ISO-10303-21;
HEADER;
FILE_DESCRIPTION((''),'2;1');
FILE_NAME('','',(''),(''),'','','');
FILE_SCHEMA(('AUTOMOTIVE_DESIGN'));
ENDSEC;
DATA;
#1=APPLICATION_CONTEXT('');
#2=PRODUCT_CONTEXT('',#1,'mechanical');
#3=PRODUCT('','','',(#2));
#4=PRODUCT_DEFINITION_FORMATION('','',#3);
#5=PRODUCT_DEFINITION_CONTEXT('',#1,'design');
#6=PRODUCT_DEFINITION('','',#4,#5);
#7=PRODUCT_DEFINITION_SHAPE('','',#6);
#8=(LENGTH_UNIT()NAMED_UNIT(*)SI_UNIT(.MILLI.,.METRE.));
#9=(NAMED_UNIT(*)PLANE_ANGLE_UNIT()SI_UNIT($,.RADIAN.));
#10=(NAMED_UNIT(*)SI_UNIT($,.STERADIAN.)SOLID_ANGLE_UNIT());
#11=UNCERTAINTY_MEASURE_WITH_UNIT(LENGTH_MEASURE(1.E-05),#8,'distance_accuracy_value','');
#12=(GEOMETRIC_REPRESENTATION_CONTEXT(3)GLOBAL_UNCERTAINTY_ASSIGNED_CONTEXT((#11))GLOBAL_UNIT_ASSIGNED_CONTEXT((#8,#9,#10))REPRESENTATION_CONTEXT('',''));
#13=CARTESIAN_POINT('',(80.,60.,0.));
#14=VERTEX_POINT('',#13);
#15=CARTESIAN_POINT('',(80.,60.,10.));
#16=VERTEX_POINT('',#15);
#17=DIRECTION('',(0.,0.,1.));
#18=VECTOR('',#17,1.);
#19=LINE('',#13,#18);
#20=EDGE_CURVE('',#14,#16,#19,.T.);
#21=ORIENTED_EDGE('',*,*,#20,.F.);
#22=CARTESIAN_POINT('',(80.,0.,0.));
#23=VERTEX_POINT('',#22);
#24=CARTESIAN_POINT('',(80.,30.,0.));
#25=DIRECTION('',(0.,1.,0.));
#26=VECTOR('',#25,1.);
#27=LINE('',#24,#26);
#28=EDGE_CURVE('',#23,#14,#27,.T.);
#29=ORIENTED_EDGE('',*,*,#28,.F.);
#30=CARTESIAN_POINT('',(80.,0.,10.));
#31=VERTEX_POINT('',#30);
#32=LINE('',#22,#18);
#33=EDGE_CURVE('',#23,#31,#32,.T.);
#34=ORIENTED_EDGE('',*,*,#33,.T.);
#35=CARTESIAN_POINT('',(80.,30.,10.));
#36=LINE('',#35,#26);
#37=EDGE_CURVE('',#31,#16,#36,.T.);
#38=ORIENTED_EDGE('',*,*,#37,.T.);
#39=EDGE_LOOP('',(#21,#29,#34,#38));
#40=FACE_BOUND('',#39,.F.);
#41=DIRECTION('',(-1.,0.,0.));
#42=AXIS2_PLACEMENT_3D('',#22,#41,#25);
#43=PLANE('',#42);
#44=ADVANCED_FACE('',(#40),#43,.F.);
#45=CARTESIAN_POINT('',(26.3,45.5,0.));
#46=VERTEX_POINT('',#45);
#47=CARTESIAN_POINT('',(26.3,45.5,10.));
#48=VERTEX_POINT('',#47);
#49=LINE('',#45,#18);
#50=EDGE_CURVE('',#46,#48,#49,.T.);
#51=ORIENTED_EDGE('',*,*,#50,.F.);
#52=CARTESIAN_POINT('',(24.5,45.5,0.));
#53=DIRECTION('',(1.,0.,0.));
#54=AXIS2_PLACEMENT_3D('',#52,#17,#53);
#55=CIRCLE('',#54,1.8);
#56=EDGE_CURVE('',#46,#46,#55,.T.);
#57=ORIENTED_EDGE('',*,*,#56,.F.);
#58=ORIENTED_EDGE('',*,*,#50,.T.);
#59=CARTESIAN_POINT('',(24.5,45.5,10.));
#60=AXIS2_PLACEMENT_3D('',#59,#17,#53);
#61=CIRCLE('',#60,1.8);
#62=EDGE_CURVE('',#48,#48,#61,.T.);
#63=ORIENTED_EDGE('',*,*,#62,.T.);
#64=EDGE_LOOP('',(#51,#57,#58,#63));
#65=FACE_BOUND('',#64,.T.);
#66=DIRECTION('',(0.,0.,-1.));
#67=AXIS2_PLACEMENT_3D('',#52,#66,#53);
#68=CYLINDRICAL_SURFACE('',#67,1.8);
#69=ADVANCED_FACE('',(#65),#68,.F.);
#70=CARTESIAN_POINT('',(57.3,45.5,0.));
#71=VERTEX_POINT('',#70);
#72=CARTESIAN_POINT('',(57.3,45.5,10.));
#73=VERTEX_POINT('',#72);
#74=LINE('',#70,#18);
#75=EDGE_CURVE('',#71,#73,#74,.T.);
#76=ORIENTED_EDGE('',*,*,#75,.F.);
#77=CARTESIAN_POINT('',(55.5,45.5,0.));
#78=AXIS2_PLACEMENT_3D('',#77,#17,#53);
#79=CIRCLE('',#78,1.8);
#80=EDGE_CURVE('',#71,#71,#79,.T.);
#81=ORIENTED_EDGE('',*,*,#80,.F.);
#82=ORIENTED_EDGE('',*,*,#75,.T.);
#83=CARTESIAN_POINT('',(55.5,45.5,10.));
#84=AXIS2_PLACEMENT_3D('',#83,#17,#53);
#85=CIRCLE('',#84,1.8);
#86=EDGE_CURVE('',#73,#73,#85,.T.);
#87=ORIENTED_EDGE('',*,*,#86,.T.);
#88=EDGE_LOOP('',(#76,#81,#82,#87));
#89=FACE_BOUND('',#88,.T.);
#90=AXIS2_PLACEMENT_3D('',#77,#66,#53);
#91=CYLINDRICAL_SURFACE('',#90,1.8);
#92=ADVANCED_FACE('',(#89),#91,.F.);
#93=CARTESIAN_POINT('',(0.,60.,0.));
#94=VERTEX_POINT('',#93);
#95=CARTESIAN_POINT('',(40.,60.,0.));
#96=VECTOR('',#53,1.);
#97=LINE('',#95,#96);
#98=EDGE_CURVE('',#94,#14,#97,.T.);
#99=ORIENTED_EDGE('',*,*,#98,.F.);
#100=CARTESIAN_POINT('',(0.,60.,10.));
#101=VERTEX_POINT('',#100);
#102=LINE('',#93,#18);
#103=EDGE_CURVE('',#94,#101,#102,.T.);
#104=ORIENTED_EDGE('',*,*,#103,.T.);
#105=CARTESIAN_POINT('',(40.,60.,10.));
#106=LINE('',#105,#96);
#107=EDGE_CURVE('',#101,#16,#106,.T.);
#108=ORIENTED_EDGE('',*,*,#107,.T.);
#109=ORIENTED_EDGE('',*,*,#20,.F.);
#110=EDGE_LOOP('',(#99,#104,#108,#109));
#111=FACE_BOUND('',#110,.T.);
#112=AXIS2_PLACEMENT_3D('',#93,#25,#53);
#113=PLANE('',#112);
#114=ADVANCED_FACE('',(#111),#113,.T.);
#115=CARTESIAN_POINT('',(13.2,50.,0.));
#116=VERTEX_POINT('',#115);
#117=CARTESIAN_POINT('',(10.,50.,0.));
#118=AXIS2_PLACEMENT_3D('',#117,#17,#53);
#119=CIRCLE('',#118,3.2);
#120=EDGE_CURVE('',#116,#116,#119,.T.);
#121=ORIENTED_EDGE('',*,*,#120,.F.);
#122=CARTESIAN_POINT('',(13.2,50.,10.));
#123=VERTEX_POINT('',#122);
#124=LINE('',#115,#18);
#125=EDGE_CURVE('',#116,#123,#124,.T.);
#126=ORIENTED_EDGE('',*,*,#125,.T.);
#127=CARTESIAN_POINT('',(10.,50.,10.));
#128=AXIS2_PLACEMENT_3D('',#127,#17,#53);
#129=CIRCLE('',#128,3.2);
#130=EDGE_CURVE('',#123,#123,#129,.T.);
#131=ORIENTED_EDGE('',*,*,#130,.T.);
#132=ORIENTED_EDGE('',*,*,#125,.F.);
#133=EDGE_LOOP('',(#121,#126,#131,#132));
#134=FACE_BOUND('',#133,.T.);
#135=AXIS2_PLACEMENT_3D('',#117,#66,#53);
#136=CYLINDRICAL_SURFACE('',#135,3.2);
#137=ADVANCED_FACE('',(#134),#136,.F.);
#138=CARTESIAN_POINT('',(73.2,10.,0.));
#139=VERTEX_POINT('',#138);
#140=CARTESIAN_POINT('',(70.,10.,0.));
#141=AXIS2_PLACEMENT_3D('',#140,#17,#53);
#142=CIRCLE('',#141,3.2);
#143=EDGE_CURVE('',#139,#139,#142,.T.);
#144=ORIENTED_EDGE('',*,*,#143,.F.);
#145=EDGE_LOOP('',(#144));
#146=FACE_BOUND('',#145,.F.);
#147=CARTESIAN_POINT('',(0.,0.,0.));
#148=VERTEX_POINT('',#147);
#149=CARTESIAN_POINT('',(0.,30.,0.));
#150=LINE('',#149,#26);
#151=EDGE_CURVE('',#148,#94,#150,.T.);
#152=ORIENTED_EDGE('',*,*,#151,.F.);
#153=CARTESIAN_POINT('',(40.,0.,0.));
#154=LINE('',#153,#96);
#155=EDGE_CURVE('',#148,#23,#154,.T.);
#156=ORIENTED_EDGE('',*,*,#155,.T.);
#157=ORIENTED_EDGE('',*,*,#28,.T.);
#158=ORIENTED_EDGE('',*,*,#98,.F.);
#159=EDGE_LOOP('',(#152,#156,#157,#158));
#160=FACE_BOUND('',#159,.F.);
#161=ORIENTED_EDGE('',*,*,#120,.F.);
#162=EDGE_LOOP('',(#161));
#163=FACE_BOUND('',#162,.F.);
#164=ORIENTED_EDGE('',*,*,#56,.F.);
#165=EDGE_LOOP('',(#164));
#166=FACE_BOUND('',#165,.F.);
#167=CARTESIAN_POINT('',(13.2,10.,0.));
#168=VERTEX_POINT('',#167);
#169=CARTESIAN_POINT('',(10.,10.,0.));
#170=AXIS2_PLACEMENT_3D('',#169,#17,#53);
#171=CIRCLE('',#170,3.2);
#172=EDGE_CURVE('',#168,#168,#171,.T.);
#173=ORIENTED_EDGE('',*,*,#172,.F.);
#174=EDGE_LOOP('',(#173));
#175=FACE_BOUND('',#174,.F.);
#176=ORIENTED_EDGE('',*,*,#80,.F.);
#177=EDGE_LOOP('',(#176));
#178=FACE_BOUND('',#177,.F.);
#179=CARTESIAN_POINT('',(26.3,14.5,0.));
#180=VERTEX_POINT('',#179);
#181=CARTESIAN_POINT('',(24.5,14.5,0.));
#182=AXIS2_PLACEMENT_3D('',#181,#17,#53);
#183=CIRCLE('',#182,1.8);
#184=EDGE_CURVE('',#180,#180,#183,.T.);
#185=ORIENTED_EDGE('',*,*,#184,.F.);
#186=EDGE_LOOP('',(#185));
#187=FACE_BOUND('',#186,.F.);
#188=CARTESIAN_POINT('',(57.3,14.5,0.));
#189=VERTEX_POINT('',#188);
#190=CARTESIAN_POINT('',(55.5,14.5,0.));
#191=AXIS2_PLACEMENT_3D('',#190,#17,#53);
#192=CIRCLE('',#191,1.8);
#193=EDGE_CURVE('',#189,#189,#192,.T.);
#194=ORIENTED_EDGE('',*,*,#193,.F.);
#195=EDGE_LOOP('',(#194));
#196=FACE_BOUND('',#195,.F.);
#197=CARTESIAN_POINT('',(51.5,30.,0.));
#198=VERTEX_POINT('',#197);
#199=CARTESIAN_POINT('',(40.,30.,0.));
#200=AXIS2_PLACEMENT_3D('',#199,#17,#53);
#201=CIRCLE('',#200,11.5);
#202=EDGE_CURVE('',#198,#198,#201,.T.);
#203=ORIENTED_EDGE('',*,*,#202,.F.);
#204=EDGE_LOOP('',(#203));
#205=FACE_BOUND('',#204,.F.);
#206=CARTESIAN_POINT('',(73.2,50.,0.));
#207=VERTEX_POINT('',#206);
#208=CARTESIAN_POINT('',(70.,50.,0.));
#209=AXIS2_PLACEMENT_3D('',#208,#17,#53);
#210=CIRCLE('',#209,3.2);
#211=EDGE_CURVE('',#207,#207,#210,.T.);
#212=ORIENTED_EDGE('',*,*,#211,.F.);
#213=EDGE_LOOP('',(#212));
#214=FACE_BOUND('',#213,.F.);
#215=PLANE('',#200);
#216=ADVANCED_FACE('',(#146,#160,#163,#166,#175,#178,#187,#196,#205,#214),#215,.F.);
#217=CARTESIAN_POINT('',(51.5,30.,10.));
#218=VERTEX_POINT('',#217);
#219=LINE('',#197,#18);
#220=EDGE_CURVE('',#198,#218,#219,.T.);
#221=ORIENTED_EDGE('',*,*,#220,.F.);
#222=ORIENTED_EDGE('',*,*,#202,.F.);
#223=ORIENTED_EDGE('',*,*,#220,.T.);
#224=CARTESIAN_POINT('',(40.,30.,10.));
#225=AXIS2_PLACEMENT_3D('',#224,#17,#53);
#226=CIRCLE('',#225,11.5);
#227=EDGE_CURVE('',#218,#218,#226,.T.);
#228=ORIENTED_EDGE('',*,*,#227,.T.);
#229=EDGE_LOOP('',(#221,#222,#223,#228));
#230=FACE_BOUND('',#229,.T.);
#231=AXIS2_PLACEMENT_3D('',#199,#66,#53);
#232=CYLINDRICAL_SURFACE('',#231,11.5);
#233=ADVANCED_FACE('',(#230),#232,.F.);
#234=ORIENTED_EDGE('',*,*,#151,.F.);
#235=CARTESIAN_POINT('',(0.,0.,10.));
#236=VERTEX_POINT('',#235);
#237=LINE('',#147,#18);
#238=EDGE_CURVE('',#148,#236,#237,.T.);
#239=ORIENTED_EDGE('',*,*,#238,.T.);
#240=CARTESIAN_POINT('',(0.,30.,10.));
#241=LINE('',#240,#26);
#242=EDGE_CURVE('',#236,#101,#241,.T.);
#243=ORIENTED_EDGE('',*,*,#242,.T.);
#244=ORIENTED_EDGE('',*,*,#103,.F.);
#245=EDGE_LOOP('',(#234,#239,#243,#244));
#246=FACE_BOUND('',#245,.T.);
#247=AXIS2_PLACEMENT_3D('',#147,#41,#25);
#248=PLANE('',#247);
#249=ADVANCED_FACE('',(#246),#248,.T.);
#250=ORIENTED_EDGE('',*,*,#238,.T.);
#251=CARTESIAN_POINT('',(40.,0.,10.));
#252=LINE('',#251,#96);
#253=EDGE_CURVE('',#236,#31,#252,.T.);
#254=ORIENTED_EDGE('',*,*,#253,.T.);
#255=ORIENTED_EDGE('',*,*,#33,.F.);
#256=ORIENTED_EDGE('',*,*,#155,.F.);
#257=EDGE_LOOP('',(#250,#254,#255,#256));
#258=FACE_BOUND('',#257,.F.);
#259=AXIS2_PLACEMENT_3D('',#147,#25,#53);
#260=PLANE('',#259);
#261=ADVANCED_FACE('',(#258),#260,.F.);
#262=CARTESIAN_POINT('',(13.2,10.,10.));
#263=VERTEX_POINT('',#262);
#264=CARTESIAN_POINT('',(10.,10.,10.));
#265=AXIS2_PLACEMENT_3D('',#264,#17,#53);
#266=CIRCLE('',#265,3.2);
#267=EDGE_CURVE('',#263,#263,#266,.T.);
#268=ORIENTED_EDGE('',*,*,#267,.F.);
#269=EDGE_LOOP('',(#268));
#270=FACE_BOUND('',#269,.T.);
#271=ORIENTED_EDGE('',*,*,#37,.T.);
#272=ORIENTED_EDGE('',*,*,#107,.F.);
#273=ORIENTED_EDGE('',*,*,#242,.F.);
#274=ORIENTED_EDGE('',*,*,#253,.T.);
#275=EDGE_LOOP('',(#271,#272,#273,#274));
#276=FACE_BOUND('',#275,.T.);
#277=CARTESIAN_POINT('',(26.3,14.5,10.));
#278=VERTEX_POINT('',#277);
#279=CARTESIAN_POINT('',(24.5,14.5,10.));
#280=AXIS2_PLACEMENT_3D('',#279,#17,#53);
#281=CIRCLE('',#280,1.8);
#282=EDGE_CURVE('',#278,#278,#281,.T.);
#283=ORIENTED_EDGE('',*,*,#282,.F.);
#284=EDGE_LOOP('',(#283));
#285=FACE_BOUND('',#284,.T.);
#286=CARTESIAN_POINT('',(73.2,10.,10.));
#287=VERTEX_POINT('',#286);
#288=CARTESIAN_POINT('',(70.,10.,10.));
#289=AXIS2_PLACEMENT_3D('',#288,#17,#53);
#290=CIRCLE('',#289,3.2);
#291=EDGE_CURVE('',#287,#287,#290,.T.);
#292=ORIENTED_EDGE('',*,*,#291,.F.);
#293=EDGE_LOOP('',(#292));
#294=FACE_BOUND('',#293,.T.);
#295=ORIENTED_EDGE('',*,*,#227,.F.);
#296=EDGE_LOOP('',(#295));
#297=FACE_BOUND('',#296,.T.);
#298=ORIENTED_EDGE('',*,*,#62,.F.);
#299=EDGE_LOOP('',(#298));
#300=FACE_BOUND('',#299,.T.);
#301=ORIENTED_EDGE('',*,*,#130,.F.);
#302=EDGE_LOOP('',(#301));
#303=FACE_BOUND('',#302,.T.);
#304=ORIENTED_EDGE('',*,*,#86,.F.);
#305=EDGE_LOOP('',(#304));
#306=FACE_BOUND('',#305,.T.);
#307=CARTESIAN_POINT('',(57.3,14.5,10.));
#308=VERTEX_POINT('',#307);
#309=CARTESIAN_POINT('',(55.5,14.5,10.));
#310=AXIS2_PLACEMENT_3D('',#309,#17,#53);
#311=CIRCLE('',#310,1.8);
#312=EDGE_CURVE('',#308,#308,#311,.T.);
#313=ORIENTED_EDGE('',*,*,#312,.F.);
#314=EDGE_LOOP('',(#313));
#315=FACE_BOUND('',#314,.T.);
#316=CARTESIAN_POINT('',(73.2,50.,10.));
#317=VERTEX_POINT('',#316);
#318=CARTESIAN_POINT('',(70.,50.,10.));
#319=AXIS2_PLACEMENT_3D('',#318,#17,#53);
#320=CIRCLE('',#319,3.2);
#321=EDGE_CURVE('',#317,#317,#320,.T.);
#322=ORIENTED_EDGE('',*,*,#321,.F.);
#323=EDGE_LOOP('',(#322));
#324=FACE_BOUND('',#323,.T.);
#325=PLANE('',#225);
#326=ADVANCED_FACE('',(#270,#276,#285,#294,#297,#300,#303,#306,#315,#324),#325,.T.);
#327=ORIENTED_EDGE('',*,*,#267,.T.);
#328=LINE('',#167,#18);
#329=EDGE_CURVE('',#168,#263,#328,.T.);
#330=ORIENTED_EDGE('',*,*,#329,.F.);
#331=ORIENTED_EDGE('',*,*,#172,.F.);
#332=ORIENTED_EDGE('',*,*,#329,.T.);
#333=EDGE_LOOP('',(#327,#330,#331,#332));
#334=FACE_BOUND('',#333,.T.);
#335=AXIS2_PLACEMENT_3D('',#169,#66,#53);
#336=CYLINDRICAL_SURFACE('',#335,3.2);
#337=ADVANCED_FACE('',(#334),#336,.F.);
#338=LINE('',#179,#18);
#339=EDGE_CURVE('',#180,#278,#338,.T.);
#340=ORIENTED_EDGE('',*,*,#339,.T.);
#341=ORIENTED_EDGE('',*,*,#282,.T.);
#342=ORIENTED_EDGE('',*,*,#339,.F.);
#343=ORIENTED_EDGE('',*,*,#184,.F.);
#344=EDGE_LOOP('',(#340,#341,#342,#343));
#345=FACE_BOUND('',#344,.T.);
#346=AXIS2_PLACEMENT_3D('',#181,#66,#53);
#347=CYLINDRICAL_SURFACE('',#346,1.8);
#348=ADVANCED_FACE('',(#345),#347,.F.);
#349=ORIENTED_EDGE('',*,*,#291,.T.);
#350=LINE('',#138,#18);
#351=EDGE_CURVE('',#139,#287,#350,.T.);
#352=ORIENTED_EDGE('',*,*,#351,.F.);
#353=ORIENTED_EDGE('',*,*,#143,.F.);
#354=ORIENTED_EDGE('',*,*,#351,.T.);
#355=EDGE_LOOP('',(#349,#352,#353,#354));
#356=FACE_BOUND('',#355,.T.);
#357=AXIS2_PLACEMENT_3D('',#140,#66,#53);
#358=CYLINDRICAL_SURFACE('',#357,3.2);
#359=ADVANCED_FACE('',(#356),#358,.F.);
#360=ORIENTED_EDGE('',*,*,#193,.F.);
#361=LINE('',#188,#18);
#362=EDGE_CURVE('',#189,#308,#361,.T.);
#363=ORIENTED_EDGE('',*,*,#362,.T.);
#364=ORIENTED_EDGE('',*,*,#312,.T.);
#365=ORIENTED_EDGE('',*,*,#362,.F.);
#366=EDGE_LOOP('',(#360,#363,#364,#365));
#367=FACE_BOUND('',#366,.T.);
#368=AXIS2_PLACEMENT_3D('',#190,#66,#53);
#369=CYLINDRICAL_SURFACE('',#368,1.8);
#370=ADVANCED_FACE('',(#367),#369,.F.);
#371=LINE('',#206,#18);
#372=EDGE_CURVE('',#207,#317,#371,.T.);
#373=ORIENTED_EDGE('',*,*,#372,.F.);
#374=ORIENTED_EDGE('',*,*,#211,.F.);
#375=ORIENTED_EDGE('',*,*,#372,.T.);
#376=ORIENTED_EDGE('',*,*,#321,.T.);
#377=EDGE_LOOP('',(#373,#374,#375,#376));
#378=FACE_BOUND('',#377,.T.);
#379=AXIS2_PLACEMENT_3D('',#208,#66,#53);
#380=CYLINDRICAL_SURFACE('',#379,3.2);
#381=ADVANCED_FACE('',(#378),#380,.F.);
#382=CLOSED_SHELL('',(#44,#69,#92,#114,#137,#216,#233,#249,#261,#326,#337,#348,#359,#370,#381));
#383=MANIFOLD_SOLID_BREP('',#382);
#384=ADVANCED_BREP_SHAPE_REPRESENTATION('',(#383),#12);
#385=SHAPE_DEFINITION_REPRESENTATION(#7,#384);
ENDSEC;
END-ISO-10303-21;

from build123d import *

# Parameters (mm, degrees)
SKETCH_W   = 80
SKETCH_H   = 60
SKETCH_R   = 11.5
SKETCH_R_2 = 1.8
SKETCH_R_3 = 3.2
PAD_DEPTH  = 10


with BuildPart() as part:
    # Sketch → Pad (new body)
    with BuildSketch(Plane.XY):
        with Locations((40, 30)):
            Rectangle(SKETCH_W, SKETCH_H)
        with Locations((40, 30)):
            Circle(SKETCH_R, mode=Mode.SUBTRACT)
        with Locations((55.5, 45.5)):
            Circle(SKETCH_R_2, mode=Mode.SUBTRACT)
        with Locations((55.5, 14.5)):
            Circle(SKETCH_R_2, mode=Mode.SUBTRACT)
        with Locations((24.5, 14.5)):
            Circle(SKETCH_R_2, mode=Mode.SUBTRACT)
        with Locations((24.5, 45.5)):
            Circle(SKETCH_R_2, mode=Mode.SUBTRACT)
        with Locations((10, 10)):
            Circle(SKETCH_R_3, mode=Mode.SUBTRACT)
        with Locations((70, 10)):
            Circle(SKETCH_R_3, mode=Mode.SUBTRACT)
        with Locations((10, 50)):
            Circle(SKETCH_R_3, mode=Mode.SUBTRACT)
        with Locations((70, 50)):
            Circle(SKETCH_R_3, mode=Mode.SUBTRACT)
    extrude(amount=PAD_DEPTH)


solid = part.part
